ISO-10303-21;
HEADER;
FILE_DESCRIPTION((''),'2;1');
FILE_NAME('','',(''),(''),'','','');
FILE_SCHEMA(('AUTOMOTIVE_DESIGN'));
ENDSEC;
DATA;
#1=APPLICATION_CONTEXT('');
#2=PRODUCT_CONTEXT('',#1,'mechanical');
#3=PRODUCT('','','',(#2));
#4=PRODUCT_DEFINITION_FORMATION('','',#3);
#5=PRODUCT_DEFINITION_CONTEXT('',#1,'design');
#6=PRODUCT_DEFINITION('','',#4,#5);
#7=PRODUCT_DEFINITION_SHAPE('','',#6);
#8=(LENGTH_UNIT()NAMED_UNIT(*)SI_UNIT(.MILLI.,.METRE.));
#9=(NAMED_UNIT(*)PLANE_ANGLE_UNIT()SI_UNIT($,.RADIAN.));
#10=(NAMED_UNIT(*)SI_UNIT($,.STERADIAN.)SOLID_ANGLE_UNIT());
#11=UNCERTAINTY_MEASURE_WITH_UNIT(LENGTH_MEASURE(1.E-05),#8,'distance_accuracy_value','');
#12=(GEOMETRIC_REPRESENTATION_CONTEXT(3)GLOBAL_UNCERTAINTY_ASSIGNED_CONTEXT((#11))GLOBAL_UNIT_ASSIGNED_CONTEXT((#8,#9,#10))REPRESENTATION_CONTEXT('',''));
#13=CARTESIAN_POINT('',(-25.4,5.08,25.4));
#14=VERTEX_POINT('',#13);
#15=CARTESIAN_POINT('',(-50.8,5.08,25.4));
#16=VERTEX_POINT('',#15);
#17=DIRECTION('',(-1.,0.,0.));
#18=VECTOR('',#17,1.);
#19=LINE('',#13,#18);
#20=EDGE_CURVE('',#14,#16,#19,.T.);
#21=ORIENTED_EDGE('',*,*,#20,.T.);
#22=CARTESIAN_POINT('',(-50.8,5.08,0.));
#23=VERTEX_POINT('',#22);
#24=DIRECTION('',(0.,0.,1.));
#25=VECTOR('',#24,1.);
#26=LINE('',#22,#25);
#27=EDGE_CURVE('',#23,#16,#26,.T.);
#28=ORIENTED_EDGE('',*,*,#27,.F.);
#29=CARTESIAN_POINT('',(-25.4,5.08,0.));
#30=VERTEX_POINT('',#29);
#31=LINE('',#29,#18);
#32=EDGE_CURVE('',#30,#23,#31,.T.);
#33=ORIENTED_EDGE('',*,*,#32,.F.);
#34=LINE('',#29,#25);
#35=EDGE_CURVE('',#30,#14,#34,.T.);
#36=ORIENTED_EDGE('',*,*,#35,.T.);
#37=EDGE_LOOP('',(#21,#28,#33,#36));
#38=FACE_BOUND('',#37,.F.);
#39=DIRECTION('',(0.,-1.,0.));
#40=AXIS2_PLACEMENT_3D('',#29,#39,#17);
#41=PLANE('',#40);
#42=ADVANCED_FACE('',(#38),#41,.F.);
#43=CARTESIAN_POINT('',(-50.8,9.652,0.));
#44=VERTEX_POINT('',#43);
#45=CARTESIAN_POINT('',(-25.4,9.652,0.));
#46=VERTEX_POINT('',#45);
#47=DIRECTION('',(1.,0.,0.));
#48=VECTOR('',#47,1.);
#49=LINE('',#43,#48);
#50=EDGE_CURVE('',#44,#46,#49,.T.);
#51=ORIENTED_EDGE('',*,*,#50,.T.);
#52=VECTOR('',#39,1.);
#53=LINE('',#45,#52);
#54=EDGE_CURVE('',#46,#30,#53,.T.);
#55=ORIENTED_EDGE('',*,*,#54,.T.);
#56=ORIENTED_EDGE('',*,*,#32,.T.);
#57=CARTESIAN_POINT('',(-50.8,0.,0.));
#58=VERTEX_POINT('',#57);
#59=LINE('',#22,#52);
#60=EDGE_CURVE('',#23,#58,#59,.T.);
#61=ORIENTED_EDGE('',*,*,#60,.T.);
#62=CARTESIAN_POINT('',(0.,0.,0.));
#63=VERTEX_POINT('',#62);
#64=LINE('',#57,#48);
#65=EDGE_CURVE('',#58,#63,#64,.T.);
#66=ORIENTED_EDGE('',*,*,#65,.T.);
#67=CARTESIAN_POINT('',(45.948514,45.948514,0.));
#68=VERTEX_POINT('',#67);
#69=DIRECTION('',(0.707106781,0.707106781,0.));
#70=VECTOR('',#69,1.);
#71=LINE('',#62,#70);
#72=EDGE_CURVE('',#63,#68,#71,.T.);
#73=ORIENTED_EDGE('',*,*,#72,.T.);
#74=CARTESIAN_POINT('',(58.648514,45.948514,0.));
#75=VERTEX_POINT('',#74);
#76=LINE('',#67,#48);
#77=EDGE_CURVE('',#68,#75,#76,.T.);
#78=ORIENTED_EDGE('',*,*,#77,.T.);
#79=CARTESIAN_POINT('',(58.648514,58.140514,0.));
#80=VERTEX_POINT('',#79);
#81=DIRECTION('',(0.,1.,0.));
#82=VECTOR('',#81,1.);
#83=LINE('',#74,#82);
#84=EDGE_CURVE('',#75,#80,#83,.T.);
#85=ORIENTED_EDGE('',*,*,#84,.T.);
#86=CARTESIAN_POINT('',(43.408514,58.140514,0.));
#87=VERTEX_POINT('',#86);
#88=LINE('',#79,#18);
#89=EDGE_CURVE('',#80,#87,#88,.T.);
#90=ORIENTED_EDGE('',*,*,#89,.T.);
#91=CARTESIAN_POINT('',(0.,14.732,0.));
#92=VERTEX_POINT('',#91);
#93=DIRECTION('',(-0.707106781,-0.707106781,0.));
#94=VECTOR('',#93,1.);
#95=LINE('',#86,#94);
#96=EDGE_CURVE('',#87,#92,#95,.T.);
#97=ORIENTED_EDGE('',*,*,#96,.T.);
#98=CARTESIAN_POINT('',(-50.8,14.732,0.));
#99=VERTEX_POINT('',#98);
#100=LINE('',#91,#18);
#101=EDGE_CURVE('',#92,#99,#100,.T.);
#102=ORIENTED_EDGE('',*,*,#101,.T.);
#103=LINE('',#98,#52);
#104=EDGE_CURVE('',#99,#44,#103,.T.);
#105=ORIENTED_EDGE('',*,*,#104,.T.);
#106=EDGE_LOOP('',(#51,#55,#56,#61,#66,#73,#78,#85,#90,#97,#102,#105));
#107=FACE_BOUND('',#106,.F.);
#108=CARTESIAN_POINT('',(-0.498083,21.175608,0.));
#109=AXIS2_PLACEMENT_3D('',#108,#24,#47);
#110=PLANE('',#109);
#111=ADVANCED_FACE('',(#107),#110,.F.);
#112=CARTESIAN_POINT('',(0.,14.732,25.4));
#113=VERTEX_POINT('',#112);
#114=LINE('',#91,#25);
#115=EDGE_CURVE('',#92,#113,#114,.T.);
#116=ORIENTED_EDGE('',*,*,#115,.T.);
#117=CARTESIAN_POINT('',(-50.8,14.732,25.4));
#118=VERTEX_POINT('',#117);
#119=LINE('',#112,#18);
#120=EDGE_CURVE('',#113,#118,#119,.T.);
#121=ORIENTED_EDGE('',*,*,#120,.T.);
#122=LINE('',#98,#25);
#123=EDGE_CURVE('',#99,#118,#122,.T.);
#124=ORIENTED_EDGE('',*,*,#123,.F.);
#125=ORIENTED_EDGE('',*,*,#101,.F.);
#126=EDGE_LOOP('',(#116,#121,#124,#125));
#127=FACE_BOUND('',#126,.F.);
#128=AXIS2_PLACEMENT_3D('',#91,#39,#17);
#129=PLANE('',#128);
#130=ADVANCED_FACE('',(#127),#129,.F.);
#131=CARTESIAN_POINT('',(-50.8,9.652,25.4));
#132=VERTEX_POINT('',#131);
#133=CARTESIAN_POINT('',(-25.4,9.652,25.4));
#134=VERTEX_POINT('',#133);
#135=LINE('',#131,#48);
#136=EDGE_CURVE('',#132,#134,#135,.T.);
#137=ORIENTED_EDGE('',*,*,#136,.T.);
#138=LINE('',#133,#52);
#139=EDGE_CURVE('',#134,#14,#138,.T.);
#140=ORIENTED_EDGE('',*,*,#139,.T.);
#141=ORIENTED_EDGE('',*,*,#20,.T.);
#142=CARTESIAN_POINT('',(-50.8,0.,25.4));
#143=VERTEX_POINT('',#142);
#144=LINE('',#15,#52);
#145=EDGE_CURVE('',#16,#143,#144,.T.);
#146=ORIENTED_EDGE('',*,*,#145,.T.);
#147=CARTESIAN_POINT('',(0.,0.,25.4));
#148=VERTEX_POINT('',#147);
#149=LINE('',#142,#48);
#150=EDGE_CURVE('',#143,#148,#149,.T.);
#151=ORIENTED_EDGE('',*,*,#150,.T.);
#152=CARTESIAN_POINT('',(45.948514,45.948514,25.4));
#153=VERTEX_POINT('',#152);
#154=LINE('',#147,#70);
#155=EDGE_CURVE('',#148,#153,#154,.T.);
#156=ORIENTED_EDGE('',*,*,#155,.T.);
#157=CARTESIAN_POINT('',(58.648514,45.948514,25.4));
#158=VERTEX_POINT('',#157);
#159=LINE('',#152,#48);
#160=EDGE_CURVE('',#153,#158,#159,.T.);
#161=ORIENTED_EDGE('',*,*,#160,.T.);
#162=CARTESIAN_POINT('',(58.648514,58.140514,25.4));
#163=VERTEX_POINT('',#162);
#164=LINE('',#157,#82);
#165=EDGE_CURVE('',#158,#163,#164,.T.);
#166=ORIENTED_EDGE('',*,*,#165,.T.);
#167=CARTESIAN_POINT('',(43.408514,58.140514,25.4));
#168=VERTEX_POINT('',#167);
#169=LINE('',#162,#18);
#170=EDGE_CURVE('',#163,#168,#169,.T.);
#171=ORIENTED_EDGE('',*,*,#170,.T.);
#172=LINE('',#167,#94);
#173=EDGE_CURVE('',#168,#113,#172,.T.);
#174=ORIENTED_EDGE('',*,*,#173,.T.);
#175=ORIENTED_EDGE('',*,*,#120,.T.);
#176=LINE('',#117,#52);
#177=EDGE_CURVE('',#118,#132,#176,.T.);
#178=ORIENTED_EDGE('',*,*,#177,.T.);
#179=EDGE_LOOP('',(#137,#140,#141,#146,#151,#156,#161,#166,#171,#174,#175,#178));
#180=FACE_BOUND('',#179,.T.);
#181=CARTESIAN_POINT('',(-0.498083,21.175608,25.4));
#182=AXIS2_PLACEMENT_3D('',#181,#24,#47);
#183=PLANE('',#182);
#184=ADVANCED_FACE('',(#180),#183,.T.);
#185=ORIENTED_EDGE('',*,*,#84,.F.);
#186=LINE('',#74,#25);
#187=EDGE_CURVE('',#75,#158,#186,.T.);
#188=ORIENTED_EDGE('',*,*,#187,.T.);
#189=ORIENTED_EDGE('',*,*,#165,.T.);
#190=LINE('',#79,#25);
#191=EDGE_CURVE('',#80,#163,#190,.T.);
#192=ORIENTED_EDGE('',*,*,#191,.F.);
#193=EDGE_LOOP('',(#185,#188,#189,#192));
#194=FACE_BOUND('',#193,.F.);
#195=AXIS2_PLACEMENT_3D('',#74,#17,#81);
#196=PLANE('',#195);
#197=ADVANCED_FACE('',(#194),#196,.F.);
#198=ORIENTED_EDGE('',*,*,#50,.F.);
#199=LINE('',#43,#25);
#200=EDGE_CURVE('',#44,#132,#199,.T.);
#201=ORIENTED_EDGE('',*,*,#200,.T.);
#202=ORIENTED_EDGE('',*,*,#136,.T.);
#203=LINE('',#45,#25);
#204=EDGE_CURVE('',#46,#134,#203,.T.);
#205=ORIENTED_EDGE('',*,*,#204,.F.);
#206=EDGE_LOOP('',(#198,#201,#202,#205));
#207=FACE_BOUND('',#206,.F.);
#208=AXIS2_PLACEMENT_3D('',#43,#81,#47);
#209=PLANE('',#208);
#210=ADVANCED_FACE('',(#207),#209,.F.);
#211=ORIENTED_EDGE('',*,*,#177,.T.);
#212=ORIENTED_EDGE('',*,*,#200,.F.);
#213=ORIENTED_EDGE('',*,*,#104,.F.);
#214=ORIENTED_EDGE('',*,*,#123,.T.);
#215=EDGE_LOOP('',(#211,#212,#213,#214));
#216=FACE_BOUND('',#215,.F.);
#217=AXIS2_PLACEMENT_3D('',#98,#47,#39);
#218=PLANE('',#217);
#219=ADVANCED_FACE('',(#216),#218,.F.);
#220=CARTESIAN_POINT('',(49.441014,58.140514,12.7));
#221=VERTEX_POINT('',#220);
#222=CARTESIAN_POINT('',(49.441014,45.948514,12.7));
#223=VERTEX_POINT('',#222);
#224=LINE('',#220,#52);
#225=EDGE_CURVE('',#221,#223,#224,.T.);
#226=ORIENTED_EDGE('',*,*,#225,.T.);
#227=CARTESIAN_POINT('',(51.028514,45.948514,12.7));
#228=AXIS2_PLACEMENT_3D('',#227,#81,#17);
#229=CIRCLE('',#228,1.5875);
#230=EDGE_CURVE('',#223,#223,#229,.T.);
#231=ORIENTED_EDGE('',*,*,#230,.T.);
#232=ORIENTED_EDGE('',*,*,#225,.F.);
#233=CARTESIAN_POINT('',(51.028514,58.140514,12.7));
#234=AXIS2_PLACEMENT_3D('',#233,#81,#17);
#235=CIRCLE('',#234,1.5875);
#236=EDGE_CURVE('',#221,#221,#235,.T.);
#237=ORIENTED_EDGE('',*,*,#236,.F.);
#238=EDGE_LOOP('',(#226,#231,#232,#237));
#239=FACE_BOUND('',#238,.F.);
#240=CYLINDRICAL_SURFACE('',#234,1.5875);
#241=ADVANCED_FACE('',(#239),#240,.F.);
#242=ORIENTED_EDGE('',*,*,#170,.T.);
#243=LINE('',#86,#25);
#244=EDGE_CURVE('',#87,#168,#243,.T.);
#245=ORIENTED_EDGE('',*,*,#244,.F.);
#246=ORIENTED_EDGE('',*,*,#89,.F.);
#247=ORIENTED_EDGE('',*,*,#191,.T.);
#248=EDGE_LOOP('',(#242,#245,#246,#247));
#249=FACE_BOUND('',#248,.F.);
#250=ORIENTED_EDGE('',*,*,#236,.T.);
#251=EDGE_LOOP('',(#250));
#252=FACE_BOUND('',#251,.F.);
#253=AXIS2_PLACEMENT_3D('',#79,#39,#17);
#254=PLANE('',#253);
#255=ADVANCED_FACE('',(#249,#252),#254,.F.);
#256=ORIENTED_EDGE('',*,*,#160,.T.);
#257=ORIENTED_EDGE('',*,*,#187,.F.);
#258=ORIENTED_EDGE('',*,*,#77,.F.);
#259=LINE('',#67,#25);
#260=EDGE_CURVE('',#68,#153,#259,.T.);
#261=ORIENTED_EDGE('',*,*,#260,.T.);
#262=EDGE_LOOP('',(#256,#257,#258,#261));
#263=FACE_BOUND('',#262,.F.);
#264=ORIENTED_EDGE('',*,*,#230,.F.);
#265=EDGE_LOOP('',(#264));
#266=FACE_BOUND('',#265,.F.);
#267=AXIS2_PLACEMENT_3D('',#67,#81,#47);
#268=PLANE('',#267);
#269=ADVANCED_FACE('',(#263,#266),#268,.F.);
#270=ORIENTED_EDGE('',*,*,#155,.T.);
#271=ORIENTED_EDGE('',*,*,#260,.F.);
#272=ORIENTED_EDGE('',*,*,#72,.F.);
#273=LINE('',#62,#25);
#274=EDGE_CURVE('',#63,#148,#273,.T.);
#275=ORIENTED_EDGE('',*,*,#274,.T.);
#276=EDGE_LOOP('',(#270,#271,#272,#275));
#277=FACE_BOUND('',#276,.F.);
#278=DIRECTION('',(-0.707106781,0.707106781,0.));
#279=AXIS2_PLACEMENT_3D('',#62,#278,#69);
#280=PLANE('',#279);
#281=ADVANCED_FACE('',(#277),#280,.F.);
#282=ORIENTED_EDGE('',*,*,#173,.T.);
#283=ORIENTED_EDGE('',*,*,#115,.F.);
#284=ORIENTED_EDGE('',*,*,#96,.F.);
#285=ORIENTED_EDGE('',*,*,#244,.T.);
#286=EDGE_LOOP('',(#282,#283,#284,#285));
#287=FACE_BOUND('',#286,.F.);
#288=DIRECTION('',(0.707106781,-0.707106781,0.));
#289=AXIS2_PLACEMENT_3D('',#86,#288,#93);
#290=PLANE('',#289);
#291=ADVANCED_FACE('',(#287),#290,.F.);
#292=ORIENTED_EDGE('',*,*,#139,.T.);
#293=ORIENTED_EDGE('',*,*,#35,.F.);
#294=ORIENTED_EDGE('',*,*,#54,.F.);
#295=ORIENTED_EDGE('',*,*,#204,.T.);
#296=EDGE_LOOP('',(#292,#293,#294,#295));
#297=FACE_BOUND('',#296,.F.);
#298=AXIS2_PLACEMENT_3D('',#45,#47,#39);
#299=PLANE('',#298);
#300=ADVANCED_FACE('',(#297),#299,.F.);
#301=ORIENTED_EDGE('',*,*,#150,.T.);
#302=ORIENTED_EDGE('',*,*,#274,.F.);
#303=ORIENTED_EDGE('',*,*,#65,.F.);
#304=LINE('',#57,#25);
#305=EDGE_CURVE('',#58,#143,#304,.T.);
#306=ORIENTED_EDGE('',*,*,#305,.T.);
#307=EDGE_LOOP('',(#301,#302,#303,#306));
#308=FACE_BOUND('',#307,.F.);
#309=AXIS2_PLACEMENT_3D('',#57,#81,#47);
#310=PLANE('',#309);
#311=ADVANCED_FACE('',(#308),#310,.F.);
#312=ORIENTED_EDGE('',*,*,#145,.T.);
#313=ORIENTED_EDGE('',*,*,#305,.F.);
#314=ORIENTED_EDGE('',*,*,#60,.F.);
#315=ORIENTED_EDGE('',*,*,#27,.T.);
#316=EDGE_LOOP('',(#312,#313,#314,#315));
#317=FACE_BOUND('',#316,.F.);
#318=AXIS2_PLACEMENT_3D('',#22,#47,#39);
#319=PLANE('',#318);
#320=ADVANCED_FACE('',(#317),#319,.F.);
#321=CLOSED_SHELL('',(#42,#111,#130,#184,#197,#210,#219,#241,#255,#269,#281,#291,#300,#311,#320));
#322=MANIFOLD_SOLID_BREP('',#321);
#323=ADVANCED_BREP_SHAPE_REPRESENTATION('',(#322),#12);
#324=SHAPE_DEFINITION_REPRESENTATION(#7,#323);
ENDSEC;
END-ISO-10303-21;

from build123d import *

# Parameters (mm, degrees)
F1_DEPTH = 25.4
F2_R     = 1.5875
F3_DEPTH = 25.4


with BuildPart() as f1:
    # F0 (on Top) → F1 (new body)
    with BuildSketch(Plane.XY):
        Polygon((-50.8, 0), (0, 0), (45.948514, 45.948514), (58.648514, 45.948514), (58.648514, 58.140514), (43.408514, 58.140514), (0, 14.732), (-50.8, 14.732), (-50.8, 9.652), (-25.4, 9.652), (-25.4, 5.08), (-50.8, 5.08), align=None)
    extrude(amount=F1_DEPTH)

    # F2 (on face) → F3 (cut)
    with BuildSketch(Plane(origin=(0, 58.140514, 0), x_dir=(-1, 0, 0), z_dir=(0, 1, 0))):
        with Locations((-51.028514, 12.7)):
            Circle(F2_R)
    extrude(amount=-F3_DEPTH, mode=Mode.SUBTRACT)


solid = f1.part
